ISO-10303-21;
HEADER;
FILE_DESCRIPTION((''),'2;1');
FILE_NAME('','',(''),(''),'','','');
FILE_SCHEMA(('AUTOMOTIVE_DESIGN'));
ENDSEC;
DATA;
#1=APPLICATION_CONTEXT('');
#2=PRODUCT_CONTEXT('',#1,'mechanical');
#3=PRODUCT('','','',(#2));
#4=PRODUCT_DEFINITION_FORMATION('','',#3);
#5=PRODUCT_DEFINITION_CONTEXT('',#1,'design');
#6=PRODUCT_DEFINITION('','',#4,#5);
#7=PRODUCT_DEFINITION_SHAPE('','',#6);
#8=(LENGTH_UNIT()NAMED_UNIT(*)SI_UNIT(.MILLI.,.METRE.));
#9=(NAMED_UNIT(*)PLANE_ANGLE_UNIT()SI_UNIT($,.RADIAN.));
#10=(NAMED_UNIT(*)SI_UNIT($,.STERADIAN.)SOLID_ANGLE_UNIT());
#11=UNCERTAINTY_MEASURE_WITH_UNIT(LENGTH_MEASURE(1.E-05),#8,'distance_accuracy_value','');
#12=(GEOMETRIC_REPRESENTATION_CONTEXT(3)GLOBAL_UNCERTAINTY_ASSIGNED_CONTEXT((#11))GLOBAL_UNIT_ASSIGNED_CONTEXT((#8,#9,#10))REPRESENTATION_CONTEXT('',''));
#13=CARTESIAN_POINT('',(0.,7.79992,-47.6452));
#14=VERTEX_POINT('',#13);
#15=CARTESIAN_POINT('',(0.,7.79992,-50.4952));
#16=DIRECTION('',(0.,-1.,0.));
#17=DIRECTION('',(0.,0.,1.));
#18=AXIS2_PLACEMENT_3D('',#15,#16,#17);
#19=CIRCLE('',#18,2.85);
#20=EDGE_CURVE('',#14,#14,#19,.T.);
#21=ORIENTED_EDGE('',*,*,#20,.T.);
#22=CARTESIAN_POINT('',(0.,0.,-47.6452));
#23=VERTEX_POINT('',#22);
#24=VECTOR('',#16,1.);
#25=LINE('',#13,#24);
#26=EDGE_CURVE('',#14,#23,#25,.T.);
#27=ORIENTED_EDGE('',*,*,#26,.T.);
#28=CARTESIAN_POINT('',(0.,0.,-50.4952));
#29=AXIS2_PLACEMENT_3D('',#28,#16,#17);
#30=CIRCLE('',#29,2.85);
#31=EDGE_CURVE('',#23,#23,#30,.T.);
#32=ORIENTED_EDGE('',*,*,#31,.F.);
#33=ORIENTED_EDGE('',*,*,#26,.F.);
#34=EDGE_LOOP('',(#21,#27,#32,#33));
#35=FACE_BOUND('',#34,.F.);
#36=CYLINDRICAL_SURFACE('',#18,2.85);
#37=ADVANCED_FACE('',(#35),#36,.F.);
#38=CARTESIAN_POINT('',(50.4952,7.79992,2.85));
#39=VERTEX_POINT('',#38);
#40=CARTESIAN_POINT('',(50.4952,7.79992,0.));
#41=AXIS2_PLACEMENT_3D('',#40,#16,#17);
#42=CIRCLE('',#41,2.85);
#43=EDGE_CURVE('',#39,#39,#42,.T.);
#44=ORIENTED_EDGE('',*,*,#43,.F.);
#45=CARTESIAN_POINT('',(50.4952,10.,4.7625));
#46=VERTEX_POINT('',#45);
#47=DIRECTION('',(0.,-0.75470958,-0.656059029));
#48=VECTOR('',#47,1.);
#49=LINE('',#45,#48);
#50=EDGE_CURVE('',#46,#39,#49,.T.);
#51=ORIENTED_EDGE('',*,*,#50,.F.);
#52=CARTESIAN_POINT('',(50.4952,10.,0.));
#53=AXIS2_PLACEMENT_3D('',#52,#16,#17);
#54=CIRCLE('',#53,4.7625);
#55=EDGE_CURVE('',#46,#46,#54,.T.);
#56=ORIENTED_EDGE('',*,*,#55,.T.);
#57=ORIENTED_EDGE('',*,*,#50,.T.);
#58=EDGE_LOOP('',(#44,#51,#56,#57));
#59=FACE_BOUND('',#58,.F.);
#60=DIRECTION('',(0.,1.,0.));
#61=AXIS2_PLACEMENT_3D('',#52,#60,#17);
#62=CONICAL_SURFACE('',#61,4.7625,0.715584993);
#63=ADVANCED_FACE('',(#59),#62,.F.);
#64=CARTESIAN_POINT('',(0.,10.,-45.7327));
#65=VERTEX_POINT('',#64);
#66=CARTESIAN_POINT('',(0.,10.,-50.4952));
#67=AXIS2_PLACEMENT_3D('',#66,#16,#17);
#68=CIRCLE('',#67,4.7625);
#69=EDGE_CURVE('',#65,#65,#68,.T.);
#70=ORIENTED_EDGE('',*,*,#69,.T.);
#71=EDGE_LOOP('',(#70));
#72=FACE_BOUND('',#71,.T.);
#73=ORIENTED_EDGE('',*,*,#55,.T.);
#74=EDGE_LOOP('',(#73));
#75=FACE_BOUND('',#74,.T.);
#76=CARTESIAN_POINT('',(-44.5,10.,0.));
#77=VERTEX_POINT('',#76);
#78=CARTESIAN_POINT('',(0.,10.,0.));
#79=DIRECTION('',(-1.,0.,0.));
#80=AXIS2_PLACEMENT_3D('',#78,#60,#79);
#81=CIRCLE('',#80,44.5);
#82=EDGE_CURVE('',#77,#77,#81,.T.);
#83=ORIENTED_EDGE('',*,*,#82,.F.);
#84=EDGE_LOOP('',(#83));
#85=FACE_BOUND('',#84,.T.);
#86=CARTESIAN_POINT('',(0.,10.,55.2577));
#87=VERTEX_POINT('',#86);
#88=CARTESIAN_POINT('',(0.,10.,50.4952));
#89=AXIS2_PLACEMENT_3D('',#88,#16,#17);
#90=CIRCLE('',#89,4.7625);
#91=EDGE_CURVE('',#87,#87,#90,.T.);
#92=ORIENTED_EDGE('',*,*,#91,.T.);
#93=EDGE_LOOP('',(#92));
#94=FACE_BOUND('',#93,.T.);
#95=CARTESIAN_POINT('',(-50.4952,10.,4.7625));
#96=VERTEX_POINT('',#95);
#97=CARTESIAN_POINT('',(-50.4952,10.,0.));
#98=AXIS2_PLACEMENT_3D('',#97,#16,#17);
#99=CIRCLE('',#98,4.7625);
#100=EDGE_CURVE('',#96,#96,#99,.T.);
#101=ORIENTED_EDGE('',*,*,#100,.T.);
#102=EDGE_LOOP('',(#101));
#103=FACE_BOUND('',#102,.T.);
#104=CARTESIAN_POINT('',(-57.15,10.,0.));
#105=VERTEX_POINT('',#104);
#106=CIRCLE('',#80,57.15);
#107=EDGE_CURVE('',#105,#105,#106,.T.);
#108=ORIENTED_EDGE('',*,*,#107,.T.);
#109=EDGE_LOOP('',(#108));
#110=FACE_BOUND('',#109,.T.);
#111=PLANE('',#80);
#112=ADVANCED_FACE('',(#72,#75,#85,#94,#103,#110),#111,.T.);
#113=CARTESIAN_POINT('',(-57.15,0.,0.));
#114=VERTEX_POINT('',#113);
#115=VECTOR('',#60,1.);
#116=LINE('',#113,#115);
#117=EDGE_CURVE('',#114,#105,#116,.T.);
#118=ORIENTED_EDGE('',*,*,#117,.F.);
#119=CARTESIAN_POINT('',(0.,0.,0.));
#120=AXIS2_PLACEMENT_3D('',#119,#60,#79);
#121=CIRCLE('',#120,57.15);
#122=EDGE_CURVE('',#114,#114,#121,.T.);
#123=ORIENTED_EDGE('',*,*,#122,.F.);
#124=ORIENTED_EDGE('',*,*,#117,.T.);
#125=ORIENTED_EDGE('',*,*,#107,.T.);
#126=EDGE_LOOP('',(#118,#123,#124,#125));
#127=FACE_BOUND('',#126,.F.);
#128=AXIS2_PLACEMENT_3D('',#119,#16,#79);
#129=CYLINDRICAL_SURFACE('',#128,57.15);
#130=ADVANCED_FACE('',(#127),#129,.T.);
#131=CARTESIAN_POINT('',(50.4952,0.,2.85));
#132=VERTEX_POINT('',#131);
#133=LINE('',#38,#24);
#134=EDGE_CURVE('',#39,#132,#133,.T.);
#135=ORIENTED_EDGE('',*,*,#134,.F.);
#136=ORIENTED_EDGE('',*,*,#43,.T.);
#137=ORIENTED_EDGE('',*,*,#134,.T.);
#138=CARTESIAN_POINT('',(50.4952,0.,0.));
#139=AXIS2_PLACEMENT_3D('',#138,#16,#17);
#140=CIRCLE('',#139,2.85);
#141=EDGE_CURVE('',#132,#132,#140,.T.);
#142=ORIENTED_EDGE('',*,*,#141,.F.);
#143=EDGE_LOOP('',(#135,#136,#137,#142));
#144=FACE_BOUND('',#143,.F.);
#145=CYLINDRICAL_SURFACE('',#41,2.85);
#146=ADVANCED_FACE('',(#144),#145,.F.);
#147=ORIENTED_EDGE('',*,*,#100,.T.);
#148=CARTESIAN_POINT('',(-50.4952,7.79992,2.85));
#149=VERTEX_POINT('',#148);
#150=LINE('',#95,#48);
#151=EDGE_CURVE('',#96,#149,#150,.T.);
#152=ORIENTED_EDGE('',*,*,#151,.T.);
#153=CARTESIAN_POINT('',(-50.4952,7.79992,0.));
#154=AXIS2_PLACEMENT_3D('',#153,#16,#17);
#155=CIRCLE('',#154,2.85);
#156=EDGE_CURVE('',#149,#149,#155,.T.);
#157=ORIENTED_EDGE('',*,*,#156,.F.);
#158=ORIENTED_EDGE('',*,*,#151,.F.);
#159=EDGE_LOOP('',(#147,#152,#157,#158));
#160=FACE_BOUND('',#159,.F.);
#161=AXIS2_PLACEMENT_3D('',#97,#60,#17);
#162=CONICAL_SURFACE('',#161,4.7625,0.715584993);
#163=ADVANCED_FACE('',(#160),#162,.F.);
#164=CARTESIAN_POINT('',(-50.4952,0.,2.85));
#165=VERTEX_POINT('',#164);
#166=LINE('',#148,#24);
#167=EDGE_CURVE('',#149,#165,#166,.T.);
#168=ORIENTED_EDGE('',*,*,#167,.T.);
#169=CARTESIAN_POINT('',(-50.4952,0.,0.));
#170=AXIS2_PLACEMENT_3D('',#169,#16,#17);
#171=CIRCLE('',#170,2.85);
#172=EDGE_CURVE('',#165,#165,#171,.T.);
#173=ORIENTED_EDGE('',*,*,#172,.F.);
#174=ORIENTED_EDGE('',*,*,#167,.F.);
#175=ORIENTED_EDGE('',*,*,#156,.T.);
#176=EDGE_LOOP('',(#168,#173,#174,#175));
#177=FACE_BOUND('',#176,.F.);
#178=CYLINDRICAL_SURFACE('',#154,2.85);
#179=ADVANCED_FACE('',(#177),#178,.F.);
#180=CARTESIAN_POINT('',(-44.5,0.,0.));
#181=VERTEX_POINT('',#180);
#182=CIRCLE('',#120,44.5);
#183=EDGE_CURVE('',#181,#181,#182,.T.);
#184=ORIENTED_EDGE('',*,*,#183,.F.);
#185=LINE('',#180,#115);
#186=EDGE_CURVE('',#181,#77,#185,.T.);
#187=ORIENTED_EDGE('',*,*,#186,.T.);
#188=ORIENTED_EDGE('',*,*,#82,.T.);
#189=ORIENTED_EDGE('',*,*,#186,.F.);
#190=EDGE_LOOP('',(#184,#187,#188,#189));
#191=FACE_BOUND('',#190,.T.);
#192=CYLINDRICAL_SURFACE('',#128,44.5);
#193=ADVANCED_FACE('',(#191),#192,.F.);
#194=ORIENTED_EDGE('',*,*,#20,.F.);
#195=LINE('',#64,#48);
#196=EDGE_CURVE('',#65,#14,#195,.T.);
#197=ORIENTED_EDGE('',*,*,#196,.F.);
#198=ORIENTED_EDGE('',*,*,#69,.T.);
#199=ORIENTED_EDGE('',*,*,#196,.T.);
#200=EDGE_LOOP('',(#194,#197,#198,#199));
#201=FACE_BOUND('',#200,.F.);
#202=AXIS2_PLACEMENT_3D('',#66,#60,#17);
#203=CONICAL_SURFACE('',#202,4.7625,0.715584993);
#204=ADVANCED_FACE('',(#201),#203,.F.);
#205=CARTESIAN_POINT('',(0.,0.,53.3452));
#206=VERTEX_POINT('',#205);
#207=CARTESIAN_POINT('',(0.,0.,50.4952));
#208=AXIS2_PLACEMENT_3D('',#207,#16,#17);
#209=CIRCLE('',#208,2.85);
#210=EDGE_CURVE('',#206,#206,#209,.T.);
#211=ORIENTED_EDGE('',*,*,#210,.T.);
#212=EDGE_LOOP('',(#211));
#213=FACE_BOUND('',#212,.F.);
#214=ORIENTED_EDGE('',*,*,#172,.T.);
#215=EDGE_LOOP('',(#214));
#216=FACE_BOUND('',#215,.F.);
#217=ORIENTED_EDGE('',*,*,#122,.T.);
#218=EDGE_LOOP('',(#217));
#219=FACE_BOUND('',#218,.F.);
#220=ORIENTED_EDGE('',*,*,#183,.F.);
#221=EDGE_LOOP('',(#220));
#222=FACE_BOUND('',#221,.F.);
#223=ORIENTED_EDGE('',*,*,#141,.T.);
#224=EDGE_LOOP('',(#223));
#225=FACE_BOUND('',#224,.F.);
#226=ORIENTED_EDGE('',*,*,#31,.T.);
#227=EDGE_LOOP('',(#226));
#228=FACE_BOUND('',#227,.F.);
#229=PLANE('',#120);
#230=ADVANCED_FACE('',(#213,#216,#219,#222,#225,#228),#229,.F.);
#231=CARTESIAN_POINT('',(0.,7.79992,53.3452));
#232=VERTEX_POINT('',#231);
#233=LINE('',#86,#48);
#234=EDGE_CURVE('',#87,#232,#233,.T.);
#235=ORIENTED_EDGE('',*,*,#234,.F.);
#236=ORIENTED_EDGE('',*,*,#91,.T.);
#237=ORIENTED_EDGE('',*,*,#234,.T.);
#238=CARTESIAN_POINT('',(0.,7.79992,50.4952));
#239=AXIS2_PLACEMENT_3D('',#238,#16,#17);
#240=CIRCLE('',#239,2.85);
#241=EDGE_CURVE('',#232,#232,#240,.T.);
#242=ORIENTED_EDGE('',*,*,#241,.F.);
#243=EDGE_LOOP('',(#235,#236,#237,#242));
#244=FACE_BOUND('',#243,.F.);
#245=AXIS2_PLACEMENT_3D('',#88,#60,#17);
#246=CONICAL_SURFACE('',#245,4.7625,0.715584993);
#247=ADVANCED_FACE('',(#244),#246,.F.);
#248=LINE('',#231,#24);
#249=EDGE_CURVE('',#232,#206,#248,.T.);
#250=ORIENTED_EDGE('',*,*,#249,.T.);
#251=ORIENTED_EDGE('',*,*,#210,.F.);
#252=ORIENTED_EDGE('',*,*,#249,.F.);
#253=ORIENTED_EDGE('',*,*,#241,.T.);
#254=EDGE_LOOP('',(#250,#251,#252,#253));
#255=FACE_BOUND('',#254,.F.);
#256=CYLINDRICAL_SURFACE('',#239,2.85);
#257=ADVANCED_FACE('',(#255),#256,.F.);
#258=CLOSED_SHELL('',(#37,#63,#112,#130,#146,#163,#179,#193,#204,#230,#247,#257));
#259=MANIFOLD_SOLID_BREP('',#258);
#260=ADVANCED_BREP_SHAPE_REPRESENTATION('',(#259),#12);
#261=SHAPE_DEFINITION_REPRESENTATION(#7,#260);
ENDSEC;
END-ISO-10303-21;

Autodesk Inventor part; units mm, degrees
ref_plane "YZ Plane" through (0, 0, 0) normal (1, 0, 0) x (0, 1, 0)
ref_plane "XZ Plane" through (0, 0, 0) normal (0, 1, 0) x (-1, 0, 0)
ref_plane "XY Plane" through (0, 0, 0) normal (0, 0, 1) x (1, 0, 0)
sketch "Sketch1" plane through (0, 0, 0) normal (0, 1, 0) x (-1, 0, 0)
  circle A0 centre (0, 0) radius 57.15
  circle A1 centre (0, 0) radius 44.5
  dimension "d0" = 114.3
  dimension "d1" = 89
extrude "Extrusion1" add sketch "Sketch1" along normal blind 10
sketch "Sketch3" plane through (0, 10, 0) normal (0, 1, 0) x (1, 0, 0)
  line L0 (0, 0) -> (0, -50.4952)
  point P0 (50.4952, 0)
  point P1 (50.4952, 0)
  point P2 (0, 50.4952)
  point P3 (0, 50.4952)
  point P4 (-50.4952, 0)
  point P5 (-50.4952, 0)
  dimension "d18" = 50.4952
  dimension "d21" = 360
hole "Hole1" at (0, 10, 50.4952) at (50.4952, 10, 0) at (0, 10, -50.4952) at (-50.4952, 10, 0) direction (0, -1, 0) diameter 5.7 depth 15.6718 tip angle 118 countersink diameter 9.525 countersink angle 82
properties part number "innerbearingwheel"
